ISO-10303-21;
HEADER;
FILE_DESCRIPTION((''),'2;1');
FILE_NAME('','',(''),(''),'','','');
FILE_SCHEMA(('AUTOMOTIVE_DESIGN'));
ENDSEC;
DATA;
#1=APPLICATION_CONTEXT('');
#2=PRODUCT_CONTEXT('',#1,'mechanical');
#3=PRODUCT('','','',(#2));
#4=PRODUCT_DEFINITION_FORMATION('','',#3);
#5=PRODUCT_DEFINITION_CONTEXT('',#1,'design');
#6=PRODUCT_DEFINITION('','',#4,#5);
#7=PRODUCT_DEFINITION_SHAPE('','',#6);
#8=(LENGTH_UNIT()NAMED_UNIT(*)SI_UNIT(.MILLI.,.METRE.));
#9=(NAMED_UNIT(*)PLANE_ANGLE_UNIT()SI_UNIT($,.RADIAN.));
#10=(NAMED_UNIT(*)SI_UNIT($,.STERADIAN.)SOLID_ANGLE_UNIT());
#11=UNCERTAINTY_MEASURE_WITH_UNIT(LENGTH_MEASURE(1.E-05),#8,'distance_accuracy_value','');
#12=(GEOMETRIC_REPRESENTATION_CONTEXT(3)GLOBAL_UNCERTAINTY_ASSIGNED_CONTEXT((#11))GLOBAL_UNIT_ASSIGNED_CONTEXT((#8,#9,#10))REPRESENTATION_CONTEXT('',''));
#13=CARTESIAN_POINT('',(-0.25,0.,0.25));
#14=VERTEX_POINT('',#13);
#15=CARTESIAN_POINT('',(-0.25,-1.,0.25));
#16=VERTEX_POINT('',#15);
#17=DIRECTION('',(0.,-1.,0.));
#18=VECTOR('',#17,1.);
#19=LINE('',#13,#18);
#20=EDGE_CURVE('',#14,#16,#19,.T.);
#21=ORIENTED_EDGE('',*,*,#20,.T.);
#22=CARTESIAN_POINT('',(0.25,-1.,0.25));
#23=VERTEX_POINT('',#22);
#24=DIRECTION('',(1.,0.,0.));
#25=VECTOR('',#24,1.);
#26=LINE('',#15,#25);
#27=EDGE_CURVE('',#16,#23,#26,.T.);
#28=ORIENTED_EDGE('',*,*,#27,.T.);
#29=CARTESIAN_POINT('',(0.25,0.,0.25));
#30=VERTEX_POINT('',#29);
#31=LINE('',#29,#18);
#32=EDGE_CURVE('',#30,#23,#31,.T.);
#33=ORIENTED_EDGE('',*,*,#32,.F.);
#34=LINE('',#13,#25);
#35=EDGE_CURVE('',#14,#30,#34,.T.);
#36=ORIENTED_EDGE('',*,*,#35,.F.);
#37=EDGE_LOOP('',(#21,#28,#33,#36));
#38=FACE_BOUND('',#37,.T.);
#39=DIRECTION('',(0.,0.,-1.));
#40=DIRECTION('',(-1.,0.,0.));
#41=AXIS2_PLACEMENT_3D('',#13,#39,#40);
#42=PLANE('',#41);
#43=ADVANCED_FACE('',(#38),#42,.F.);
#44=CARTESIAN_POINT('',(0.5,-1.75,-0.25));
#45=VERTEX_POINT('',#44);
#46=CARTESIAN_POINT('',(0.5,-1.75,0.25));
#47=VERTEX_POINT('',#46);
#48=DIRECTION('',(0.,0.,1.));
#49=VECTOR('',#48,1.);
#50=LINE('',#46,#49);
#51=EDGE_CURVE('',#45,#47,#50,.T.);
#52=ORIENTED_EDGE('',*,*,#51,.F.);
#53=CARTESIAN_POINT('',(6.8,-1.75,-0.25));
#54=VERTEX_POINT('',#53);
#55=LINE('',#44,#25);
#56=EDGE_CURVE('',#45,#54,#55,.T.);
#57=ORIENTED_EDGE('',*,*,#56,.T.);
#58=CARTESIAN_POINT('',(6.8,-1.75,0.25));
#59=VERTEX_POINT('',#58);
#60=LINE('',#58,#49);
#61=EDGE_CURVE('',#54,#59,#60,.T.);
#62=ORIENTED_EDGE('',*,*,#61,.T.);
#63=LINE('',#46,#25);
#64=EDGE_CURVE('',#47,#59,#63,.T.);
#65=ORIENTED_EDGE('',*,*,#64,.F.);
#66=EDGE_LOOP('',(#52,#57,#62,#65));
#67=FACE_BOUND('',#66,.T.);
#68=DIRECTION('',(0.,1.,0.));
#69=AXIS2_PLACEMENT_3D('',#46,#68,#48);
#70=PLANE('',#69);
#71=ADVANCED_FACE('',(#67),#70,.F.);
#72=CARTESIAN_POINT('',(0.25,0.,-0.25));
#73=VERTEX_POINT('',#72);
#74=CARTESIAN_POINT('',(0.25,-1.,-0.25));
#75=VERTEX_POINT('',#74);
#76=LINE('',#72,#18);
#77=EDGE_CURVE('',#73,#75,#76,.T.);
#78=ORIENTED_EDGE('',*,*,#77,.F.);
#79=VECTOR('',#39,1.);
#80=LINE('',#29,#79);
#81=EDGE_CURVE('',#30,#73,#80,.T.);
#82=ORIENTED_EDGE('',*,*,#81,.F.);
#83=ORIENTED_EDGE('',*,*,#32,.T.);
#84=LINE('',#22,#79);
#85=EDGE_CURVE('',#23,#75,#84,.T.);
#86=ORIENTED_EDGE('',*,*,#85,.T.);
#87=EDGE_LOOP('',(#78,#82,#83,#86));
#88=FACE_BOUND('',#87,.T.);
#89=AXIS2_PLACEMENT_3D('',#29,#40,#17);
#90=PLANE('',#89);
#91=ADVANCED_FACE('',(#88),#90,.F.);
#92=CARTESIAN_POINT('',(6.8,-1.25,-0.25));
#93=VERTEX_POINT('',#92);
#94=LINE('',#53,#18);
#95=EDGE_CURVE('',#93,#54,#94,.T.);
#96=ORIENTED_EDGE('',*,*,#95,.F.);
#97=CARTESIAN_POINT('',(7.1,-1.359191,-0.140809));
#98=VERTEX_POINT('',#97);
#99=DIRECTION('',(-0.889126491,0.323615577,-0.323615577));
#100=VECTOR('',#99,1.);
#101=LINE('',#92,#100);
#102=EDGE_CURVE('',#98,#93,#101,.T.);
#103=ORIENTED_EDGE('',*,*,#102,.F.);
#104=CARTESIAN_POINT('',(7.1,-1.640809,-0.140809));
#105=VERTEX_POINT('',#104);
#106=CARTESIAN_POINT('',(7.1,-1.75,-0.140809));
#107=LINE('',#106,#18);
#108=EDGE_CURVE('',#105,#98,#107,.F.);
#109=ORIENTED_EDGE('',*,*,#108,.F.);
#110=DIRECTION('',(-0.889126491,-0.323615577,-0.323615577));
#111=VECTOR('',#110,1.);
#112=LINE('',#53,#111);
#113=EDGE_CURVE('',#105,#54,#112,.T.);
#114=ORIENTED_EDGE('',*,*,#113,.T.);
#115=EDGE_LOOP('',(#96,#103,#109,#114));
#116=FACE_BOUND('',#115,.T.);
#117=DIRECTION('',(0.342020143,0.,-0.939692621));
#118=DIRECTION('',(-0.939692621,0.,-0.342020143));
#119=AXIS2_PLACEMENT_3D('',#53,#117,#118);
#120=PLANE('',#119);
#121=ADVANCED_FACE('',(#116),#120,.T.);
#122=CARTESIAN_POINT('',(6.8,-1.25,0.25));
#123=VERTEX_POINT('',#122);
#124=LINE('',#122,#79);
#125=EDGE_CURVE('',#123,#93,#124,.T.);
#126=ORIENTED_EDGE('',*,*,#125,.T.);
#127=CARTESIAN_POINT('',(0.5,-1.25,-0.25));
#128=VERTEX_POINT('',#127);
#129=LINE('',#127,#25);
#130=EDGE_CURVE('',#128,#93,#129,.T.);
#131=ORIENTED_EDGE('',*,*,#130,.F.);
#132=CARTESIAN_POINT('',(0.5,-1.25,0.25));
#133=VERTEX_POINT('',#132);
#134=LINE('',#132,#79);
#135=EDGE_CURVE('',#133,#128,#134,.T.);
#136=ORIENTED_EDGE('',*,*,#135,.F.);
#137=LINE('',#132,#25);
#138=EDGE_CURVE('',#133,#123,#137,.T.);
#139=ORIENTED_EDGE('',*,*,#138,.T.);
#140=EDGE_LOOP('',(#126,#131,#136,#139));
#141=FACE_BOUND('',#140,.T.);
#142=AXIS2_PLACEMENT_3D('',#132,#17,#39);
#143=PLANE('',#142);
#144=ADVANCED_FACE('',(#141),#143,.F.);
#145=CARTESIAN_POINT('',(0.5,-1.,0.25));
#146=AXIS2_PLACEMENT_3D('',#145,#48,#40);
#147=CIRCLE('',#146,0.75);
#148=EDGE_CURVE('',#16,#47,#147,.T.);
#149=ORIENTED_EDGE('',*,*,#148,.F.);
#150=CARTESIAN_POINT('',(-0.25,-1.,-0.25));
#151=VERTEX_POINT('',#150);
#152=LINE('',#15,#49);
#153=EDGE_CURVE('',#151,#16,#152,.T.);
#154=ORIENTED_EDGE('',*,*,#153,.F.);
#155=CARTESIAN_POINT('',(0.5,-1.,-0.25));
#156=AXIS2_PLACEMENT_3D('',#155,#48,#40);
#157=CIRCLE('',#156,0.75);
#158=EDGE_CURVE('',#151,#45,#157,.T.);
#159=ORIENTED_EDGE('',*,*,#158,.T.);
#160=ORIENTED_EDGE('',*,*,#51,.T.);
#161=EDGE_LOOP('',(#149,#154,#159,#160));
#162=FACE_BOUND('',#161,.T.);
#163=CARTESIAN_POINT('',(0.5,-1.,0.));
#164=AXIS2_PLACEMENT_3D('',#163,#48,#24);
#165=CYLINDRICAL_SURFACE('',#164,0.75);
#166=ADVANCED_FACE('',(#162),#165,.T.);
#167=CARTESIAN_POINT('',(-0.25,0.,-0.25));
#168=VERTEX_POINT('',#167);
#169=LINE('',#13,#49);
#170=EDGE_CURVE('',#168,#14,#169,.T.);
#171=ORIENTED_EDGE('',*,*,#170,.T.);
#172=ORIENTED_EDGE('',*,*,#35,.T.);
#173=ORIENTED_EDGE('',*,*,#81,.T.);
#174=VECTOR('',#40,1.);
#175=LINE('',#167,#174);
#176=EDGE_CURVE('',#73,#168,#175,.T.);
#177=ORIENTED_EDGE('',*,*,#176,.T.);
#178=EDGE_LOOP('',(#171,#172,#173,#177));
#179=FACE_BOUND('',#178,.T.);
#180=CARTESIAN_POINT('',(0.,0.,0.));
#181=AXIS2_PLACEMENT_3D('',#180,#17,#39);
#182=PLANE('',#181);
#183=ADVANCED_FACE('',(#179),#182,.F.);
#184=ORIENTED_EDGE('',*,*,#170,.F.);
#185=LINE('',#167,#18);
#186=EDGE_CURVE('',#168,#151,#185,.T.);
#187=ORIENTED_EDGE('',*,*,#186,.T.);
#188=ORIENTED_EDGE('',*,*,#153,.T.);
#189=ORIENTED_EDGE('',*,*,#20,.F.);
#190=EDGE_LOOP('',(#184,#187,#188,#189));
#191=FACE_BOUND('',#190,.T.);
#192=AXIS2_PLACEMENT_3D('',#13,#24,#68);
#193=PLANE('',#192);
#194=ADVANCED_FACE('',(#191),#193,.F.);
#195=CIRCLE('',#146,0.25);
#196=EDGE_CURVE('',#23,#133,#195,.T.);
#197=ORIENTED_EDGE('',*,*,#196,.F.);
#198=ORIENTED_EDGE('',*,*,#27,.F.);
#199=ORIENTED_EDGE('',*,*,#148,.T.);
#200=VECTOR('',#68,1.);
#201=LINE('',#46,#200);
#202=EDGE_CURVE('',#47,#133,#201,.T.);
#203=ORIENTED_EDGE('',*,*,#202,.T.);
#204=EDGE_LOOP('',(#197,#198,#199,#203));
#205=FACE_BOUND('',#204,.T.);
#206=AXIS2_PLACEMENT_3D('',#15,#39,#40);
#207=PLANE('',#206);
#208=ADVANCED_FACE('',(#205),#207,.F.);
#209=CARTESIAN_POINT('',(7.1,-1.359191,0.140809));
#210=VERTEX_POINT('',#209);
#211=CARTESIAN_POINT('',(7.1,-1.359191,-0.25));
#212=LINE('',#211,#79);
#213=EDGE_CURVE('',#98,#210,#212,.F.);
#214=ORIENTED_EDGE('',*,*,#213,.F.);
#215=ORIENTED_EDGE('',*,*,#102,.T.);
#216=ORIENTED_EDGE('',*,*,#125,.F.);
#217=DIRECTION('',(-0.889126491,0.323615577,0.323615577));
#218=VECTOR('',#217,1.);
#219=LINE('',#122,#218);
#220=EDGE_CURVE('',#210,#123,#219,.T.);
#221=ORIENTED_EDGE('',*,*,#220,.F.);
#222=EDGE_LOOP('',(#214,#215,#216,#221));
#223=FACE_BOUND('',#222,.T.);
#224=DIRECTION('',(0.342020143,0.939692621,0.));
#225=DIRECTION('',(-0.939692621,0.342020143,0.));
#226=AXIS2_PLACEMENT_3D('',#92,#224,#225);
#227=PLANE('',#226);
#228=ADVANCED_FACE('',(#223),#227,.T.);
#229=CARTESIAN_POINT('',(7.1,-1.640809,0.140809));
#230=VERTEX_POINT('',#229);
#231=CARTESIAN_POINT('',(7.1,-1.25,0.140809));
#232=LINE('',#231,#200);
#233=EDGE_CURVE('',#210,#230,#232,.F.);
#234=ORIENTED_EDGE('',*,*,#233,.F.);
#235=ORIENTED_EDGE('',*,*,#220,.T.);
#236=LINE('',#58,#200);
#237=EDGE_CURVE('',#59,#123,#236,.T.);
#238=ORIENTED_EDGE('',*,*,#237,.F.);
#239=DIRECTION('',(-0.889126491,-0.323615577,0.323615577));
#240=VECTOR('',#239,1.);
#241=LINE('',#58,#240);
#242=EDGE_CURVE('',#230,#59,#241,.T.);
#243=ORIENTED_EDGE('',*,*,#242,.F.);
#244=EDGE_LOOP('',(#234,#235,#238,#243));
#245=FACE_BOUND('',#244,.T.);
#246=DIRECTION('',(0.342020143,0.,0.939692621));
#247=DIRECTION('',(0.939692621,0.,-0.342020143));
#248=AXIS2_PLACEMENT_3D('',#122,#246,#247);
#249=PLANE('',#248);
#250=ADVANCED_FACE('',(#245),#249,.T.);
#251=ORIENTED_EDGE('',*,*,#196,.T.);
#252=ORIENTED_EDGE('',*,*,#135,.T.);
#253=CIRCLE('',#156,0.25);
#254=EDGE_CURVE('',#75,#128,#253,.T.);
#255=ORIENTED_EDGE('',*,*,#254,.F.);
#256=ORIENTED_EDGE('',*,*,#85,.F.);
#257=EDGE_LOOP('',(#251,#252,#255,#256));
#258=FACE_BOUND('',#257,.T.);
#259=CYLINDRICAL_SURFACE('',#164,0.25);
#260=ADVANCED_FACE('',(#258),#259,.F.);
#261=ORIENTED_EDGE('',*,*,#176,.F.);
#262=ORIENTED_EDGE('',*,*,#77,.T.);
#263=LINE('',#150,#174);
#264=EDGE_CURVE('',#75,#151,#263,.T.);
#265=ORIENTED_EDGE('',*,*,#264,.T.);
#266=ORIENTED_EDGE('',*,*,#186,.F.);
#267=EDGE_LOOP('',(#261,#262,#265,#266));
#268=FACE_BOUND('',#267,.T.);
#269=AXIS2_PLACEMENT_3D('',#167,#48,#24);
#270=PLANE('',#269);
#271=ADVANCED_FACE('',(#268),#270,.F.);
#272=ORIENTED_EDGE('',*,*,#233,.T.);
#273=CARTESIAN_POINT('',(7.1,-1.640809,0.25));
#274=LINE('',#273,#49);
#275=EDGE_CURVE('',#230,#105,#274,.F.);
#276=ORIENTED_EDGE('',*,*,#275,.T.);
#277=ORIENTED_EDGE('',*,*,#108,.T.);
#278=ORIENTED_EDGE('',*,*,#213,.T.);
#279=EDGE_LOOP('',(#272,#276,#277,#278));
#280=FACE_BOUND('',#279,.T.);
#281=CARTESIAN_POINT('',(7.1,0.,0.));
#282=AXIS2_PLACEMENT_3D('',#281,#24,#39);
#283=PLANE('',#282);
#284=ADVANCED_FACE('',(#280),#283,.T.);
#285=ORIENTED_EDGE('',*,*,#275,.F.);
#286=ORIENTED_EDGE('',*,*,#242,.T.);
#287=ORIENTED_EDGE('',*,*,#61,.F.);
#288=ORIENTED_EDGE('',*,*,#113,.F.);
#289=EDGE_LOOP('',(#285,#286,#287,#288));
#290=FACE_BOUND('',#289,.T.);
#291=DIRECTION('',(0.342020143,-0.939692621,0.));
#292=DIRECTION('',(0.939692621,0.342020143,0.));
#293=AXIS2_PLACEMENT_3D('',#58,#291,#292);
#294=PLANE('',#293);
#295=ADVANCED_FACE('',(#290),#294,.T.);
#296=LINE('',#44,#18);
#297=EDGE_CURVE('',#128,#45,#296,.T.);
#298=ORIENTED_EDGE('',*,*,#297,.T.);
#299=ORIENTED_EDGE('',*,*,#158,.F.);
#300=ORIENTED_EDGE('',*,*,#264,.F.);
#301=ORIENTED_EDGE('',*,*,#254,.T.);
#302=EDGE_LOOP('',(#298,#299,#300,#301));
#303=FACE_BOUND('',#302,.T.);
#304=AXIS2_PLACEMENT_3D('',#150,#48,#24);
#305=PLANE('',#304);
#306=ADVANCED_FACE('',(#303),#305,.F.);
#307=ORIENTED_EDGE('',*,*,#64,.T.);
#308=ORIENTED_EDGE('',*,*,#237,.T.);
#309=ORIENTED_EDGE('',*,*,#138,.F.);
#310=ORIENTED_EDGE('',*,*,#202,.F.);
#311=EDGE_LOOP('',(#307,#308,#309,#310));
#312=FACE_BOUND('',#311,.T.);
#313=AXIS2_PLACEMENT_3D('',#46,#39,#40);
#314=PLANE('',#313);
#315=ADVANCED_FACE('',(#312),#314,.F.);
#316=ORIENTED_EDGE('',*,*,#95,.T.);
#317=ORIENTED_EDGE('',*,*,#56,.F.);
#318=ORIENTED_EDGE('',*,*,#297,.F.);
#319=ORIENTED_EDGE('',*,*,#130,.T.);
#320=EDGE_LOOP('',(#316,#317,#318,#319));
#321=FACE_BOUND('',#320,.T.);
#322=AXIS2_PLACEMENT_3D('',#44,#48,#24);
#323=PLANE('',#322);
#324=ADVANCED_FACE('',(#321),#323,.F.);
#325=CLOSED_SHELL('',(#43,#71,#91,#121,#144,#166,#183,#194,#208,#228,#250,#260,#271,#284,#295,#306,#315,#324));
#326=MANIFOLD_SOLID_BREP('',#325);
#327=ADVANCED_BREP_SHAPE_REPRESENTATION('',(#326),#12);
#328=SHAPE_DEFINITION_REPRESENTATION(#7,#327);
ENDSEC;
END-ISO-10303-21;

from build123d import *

# Parameters (mm, degrees)
SKETCH1_W           = 0.5
SKETCH1_H           = 0.5
SKETCH4_W           = 0.5
SKETCH4_H           = 0.5
BOSS_EXTRUDE1_DEPTH = 0.3
BOSS_EXTRUDE1_TAPER = 20


with BuildPart() as part:
    # Sweep1: sweep along a path in Sketch2
    with BuildLine(Plane.XY) as sweep1_path:
        Line((0, 0), (0, -1))
        ThreePointArc((0, -1), (0.146446609, -1.353553391), (0.5, -1.5))
        Line((0.5, -1.5), (6.8, -1.5))
    # Sketch1 → Sweep1 (sweep)
    with BuildSketch(Plane(origin=(0, 0, 0), x_dir=(1, 0, 0), z_dir=(0, 1, 0))):
        Rectangle(SKETCH1_W, SKETCH1_H)
    sweep(path=sweep1_path.line)

    # Sketch4 → Boss-Extrude1 (add)
    with BuildSketch(Plane(origin=(6.8, 0, 0), x_dir=(0, 0, -1), z_dir=(1, 0, 0))):
        with Locations((0, -1.5)):
            Rectangle(SKETCH4_W, SKETCH4_H)
    extrude(amount=BOSS_EXTRUDE1_DEPTH, taper=BOSS_EXTRUDE1_TAPER)


solid = part.part
